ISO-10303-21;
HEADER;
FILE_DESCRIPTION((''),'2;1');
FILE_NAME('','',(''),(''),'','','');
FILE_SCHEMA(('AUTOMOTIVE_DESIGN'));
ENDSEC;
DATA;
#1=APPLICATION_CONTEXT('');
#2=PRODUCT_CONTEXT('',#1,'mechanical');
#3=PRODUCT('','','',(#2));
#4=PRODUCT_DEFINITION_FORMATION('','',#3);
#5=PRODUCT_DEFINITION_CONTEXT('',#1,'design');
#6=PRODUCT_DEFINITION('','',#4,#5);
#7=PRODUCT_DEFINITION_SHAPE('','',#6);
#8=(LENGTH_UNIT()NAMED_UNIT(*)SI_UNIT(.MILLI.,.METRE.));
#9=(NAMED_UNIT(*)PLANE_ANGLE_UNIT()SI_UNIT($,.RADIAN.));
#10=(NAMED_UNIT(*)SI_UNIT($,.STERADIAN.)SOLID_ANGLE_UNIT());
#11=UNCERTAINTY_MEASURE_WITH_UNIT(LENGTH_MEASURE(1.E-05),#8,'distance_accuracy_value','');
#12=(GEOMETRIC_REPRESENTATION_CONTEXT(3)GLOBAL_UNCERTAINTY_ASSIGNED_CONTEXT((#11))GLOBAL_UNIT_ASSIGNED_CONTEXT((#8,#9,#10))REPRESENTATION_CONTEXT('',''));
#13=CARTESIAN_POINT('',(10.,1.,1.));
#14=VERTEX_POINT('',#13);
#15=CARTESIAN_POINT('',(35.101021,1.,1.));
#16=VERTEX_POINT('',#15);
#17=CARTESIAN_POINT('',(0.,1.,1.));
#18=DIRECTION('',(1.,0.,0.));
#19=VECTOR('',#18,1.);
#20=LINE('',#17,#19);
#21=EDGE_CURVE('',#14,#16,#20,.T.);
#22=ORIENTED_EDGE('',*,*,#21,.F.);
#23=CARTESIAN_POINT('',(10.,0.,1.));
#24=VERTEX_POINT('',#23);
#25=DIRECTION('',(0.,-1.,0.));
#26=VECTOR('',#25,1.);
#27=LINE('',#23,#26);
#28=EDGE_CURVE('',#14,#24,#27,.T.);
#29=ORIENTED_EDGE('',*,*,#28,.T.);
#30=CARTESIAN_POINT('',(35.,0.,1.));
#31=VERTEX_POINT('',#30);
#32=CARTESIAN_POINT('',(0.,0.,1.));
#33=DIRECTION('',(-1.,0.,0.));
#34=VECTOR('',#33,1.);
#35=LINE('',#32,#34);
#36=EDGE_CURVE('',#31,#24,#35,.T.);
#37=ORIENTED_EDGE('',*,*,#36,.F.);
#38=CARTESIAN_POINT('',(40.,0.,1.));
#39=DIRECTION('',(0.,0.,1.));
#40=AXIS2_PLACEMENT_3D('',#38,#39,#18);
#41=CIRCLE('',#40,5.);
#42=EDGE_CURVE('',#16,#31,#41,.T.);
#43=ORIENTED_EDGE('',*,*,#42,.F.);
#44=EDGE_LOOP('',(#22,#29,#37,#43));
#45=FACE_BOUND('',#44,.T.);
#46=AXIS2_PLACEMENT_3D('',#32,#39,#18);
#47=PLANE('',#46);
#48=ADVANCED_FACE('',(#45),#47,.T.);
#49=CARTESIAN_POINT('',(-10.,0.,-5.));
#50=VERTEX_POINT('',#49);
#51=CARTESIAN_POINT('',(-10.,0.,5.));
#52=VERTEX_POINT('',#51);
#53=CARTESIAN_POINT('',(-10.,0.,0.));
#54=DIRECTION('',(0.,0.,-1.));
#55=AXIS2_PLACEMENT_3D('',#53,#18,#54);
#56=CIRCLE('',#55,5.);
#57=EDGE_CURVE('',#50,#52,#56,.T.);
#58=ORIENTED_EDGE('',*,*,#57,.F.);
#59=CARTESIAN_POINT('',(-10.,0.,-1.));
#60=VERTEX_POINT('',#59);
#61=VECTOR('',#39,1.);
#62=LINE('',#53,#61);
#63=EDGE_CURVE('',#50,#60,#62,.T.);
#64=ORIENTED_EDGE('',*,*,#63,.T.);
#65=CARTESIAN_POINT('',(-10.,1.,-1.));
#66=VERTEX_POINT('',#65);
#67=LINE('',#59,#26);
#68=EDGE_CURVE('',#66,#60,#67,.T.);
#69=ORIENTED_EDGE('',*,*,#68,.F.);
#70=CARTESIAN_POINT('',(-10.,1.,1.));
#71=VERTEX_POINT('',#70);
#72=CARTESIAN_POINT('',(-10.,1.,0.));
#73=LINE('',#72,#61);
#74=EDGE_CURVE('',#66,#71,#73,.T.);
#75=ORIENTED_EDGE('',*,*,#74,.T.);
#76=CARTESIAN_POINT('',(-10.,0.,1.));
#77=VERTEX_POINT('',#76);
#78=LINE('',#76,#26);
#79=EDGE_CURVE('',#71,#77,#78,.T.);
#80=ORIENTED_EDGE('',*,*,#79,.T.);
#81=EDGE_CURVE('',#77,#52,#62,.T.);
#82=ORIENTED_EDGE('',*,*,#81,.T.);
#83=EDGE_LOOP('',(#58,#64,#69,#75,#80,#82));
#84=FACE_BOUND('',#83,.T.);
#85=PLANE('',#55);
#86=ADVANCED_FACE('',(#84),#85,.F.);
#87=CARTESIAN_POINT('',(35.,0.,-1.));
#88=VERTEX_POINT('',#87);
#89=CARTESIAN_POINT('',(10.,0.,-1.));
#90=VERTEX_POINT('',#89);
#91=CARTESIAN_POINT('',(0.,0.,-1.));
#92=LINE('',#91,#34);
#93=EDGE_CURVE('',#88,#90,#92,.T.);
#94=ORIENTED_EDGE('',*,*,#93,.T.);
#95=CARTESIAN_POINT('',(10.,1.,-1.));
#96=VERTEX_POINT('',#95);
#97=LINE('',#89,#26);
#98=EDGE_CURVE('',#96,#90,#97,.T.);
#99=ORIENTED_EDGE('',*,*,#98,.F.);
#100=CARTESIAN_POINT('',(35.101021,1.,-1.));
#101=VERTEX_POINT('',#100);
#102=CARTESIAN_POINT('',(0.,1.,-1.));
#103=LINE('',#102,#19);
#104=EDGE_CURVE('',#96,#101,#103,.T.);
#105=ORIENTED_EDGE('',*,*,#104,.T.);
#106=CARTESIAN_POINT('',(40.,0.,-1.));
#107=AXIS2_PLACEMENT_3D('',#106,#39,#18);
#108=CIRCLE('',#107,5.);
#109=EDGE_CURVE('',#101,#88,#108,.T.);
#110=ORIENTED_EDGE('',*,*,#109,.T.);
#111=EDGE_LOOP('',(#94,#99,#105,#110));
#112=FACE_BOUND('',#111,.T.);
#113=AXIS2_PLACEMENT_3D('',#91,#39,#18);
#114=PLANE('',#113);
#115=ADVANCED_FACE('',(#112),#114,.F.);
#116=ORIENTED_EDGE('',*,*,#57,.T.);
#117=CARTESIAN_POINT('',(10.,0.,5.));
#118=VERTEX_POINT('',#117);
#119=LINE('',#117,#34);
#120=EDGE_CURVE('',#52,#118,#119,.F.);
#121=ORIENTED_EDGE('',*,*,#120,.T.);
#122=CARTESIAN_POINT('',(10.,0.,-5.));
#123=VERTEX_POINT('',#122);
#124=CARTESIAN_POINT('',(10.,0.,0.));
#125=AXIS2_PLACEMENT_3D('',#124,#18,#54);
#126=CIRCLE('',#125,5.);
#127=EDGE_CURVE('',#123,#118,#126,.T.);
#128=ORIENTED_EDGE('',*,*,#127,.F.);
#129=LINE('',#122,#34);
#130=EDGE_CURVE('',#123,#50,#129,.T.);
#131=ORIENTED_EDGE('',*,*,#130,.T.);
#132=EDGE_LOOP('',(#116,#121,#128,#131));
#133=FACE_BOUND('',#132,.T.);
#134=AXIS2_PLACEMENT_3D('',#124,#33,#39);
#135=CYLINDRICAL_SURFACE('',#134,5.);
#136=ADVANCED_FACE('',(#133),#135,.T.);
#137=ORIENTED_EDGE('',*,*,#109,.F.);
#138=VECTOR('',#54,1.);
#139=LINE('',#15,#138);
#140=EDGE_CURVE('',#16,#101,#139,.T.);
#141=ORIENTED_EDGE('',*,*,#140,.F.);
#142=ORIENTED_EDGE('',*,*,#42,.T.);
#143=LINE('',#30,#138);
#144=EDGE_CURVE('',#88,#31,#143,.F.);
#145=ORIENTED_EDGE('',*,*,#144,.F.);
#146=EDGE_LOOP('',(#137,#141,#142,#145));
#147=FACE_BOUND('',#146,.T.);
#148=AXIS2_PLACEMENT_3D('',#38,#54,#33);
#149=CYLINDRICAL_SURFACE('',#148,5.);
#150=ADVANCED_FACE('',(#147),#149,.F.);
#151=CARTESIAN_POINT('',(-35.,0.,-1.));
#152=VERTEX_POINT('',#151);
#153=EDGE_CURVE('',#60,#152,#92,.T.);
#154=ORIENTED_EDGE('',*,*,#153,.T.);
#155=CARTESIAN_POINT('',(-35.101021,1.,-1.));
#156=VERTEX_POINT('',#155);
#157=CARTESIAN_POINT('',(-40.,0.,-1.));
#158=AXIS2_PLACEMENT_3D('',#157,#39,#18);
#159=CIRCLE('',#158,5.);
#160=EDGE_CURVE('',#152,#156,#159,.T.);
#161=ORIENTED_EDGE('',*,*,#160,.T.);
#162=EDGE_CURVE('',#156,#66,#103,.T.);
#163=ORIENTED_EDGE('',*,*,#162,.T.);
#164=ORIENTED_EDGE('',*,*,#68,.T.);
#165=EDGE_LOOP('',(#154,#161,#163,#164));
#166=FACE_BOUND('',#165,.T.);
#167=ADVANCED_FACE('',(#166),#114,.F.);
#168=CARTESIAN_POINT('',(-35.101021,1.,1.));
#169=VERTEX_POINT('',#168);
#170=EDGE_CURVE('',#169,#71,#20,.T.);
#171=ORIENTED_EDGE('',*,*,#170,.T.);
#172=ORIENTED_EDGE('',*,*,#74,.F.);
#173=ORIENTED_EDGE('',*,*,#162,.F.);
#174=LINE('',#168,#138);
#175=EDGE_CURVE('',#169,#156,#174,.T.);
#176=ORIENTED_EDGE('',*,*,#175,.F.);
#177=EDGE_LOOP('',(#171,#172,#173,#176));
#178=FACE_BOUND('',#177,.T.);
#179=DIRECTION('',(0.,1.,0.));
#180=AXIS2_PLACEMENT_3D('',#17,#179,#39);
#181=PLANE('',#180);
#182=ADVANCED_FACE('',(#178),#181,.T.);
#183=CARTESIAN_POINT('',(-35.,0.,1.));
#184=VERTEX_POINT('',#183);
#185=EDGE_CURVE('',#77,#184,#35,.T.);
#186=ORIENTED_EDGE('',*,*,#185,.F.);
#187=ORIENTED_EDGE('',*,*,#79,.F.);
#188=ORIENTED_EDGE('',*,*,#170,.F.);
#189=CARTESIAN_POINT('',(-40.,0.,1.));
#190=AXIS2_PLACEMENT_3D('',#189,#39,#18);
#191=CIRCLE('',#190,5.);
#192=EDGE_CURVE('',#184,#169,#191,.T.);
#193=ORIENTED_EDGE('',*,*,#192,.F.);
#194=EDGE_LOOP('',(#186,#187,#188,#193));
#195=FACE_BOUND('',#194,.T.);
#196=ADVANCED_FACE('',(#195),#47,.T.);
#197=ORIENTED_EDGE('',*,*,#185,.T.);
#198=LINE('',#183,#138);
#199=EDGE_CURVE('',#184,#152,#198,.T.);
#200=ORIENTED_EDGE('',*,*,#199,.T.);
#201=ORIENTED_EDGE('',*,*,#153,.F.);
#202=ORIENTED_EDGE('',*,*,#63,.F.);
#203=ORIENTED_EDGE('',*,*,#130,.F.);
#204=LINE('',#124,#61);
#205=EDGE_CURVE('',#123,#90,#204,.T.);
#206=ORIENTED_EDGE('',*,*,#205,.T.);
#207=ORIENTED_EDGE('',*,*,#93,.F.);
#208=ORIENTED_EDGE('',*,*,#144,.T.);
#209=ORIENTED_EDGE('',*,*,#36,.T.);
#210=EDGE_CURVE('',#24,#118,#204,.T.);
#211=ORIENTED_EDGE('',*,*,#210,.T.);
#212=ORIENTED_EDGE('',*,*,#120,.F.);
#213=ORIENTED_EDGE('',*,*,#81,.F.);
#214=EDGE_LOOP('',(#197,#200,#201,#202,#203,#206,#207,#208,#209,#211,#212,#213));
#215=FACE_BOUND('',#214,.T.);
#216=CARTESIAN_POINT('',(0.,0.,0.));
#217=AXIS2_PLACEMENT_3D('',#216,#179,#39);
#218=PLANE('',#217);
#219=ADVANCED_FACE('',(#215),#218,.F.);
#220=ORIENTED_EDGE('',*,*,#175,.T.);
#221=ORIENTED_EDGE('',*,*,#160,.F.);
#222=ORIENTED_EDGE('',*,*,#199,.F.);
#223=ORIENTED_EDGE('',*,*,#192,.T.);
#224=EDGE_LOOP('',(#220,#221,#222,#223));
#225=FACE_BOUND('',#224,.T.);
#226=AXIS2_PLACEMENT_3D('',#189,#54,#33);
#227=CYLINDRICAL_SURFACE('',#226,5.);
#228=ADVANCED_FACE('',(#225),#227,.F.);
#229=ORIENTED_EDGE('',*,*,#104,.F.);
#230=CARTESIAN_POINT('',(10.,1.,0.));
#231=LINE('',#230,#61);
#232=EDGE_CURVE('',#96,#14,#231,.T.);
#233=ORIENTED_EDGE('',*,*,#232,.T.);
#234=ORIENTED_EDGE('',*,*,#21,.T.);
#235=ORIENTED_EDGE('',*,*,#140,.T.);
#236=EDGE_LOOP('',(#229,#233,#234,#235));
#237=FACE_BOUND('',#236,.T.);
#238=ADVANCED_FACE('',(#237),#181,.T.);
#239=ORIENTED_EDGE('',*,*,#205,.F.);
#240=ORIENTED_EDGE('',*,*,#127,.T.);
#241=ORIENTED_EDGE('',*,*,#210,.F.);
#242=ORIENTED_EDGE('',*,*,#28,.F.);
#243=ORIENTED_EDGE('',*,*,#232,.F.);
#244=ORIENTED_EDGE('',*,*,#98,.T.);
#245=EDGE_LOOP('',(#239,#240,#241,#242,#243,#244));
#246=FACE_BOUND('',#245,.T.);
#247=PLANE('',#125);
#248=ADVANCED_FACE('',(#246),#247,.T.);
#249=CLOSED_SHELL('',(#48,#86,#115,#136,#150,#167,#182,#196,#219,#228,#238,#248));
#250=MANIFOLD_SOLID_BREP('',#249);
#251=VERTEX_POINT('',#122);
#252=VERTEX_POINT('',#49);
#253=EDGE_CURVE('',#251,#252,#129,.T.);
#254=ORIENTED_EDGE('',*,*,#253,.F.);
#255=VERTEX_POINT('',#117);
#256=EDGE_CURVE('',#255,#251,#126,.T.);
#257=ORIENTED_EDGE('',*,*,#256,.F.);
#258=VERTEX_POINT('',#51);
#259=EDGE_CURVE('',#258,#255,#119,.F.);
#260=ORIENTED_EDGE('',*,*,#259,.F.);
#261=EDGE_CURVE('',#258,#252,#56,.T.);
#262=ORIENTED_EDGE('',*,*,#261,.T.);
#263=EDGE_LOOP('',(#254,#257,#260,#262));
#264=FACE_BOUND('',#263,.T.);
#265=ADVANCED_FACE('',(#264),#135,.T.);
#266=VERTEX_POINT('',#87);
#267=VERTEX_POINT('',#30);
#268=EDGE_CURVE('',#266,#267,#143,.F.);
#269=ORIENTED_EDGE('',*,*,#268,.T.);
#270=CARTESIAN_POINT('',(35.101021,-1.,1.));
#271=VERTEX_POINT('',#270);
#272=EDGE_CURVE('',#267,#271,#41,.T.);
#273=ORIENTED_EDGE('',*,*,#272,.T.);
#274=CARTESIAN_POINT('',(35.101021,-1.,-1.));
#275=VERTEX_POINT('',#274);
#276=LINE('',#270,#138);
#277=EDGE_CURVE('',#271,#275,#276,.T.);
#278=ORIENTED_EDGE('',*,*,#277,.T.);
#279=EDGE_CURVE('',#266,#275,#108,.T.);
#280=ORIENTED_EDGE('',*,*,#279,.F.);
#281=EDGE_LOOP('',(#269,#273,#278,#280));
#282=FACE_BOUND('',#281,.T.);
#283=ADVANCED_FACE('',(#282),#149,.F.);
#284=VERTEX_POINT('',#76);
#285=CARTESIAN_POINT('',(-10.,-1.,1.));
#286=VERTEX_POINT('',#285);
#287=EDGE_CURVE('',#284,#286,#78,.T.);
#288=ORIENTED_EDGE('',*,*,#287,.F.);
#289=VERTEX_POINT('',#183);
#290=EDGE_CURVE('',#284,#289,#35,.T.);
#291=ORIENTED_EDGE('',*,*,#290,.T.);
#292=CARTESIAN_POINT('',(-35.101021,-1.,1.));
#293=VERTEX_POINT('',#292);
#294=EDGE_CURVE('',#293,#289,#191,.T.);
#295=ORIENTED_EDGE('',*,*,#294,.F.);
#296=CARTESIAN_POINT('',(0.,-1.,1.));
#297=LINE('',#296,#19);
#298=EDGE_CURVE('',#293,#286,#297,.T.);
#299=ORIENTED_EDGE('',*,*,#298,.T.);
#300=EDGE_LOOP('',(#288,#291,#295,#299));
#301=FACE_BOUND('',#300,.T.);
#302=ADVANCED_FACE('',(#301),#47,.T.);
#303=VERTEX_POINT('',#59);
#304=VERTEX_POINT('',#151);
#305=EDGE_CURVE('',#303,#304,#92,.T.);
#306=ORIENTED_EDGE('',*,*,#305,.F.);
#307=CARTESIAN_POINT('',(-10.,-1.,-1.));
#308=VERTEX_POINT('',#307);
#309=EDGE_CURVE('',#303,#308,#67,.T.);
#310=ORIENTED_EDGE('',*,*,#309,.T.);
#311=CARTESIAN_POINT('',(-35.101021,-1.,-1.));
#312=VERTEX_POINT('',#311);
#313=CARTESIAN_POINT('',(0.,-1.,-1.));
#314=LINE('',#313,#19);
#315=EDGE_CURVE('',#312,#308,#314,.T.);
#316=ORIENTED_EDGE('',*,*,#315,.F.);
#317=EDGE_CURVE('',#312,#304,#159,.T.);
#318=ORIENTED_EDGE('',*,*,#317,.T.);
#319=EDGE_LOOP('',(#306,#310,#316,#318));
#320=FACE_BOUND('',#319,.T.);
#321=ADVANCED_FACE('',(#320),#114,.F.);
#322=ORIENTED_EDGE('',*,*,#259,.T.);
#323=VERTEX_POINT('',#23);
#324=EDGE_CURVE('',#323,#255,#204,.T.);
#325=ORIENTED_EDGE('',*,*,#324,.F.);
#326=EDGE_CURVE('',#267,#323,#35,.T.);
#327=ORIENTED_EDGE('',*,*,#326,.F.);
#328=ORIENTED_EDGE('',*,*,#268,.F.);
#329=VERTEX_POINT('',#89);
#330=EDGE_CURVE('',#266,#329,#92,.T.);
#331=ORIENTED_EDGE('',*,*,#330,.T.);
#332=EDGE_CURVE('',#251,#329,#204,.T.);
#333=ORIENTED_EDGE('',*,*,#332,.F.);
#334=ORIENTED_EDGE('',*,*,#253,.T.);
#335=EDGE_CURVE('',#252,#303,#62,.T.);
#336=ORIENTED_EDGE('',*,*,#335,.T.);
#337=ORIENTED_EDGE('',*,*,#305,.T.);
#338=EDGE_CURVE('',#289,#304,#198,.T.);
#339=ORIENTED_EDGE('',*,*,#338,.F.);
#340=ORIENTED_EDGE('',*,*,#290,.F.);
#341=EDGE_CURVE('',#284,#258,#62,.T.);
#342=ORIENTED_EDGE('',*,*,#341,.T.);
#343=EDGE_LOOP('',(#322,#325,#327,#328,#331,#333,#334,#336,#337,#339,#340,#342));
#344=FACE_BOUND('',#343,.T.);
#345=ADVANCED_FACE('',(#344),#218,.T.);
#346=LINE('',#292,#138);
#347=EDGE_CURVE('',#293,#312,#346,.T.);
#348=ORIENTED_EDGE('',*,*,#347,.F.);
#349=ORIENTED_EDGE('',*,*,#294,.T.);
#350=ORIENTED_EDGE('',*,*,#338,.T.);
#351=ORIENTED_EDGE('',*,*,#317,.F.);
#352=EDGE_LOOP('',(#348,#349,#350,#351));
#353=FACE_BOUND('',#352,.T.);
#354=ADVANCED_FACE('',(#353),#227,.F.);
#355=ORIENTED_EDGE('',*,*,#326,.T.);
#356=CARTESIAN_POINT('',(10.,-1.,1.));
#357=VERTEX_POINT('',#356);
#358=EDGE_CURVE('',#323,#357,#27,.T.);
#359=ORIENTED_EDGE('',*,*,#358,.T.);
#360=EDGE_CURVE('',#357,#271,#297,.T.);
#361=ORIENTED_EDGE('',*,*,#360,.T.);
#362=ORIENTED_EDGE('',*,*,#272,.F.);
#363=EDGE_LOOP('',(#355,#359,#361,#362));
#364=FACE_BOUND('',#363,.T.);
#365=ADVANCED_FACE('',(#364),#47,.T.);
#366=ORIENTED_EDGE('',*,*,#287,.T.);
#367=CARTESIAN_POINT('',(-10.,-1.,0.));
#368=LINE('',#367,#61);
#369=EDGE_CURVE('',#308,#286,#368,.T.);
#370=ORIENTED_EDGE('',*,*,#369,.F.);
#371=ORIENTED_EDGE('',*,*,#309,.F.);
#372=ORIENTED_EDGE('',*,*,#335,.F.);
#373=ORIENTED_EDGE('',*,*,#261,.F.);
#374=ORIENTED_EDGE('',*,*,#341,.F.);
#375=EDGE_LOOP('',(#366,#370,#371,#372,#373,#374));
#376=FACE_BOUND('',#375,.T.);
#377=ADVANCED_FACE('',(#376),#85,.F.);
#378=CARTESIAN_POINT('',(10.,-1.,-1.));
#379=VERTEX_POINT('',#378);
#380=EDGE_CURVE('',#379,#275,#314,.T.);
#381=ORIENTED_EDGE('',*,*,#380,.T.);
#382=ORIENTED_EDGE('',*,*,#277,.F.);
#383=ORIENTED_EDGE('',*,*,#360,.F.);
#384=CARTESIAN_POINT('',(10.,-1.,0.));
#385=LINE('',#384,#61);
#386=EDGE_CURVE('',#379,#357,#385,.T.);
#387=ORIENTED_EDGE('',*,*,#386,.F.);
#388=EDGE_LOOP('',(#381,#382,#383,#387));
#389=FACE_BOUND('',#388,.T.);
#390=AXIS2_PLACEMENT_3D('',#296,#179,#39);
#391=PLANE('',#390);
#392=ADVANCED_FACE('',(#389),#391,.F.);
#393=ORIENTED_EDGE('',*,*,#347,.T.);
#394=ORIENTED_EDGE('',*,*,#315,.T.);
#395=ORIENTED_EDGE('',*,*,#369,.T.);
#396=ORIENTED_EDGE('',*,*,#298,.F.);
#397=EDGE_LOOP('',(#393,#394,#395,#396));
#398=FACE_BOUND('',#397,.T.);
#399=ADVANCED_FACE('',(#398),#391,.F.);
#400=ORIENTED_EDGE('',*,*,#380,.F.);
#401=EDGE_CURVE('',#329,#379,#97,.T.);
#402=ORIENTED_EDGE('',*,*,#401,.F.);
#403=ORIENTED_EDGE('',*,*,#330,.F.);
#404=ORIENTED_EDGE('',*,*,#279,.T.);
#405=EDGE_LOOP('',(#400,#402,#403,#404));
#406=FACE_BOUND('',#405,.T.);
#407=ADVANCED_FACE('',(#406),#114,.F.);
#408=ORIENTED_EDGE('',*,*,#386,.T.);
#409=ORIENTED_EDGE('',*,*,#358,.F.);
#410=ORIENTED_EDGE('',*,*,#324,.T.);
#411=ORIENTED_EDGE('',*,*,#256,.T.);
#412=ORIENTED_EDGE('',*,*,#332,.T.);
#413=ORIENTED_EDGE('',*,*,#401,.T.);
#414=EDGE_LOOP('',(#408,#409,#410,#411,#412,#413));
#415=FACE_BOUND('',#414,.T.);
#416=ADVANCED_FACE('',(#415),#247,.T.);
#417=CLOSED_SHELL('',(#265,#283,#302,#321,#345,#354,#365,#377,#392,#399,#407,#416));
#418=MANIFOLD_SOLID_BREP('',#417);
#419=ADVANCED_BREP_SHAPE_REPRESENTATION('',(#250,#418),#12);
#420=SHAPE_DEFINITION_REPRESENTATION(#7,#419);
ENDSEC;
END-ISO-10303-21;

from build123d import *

# Parameters (mm, degrees)
SKETCH1_R           = 5
BOSS_EXTRUDE1_DEPTH = 10
BOSS_EXTRUDE5_DEPTH = 1


with BuildPart() as part:
    # Sketch1 → Boss-Extrude1 (new, symmetric)
    with BuildSketch(Plane(origin=(0, 0, 0), x_dir=(0, 0, -1), z_dir=(1, 0, 0))):
        Circle(SKETCH1_R)
    extrude(amount=BOSS_EXTRUDE1_DEPTH, both=True)

    # Sketch5 → Boss-Extrude5 (add, symmetric)
    with BuildSketch(Plane.XY):
        with BuildLine():
            Line((35.101020514, 1), (-35.101020514, 1))
            ThreePointArc((-35.101020514, 1), (-35.025319235, 0.50254481), (-35, 0))
            ThreePointArc((-35, 0), (-35.025319235, -0.50254481), (-35.101020514, -1))
            Line((-35.101020514, -1), (35.101020514, -1))
            ThreePointArc((35.101020514, -1), (35, 0), (35.101020514, 1))
        make_face()
    extrude(amount=BOSS_EXTRUDE5_DEPTH, both=True)


with BuildPart() as body_2:
    # Split1: the piece on the far side of the plane
    add(part.part)
    split(bisect_by=Plane.ZX, keep=Keep.BOTTOM)


with BuildPart() as part_1:
    add(part.part)

    # Split1
    split(bisect_by=Plane.ZX, keep=Keep.TOP)


solid = Compound([body_2.part, part_1.part])
